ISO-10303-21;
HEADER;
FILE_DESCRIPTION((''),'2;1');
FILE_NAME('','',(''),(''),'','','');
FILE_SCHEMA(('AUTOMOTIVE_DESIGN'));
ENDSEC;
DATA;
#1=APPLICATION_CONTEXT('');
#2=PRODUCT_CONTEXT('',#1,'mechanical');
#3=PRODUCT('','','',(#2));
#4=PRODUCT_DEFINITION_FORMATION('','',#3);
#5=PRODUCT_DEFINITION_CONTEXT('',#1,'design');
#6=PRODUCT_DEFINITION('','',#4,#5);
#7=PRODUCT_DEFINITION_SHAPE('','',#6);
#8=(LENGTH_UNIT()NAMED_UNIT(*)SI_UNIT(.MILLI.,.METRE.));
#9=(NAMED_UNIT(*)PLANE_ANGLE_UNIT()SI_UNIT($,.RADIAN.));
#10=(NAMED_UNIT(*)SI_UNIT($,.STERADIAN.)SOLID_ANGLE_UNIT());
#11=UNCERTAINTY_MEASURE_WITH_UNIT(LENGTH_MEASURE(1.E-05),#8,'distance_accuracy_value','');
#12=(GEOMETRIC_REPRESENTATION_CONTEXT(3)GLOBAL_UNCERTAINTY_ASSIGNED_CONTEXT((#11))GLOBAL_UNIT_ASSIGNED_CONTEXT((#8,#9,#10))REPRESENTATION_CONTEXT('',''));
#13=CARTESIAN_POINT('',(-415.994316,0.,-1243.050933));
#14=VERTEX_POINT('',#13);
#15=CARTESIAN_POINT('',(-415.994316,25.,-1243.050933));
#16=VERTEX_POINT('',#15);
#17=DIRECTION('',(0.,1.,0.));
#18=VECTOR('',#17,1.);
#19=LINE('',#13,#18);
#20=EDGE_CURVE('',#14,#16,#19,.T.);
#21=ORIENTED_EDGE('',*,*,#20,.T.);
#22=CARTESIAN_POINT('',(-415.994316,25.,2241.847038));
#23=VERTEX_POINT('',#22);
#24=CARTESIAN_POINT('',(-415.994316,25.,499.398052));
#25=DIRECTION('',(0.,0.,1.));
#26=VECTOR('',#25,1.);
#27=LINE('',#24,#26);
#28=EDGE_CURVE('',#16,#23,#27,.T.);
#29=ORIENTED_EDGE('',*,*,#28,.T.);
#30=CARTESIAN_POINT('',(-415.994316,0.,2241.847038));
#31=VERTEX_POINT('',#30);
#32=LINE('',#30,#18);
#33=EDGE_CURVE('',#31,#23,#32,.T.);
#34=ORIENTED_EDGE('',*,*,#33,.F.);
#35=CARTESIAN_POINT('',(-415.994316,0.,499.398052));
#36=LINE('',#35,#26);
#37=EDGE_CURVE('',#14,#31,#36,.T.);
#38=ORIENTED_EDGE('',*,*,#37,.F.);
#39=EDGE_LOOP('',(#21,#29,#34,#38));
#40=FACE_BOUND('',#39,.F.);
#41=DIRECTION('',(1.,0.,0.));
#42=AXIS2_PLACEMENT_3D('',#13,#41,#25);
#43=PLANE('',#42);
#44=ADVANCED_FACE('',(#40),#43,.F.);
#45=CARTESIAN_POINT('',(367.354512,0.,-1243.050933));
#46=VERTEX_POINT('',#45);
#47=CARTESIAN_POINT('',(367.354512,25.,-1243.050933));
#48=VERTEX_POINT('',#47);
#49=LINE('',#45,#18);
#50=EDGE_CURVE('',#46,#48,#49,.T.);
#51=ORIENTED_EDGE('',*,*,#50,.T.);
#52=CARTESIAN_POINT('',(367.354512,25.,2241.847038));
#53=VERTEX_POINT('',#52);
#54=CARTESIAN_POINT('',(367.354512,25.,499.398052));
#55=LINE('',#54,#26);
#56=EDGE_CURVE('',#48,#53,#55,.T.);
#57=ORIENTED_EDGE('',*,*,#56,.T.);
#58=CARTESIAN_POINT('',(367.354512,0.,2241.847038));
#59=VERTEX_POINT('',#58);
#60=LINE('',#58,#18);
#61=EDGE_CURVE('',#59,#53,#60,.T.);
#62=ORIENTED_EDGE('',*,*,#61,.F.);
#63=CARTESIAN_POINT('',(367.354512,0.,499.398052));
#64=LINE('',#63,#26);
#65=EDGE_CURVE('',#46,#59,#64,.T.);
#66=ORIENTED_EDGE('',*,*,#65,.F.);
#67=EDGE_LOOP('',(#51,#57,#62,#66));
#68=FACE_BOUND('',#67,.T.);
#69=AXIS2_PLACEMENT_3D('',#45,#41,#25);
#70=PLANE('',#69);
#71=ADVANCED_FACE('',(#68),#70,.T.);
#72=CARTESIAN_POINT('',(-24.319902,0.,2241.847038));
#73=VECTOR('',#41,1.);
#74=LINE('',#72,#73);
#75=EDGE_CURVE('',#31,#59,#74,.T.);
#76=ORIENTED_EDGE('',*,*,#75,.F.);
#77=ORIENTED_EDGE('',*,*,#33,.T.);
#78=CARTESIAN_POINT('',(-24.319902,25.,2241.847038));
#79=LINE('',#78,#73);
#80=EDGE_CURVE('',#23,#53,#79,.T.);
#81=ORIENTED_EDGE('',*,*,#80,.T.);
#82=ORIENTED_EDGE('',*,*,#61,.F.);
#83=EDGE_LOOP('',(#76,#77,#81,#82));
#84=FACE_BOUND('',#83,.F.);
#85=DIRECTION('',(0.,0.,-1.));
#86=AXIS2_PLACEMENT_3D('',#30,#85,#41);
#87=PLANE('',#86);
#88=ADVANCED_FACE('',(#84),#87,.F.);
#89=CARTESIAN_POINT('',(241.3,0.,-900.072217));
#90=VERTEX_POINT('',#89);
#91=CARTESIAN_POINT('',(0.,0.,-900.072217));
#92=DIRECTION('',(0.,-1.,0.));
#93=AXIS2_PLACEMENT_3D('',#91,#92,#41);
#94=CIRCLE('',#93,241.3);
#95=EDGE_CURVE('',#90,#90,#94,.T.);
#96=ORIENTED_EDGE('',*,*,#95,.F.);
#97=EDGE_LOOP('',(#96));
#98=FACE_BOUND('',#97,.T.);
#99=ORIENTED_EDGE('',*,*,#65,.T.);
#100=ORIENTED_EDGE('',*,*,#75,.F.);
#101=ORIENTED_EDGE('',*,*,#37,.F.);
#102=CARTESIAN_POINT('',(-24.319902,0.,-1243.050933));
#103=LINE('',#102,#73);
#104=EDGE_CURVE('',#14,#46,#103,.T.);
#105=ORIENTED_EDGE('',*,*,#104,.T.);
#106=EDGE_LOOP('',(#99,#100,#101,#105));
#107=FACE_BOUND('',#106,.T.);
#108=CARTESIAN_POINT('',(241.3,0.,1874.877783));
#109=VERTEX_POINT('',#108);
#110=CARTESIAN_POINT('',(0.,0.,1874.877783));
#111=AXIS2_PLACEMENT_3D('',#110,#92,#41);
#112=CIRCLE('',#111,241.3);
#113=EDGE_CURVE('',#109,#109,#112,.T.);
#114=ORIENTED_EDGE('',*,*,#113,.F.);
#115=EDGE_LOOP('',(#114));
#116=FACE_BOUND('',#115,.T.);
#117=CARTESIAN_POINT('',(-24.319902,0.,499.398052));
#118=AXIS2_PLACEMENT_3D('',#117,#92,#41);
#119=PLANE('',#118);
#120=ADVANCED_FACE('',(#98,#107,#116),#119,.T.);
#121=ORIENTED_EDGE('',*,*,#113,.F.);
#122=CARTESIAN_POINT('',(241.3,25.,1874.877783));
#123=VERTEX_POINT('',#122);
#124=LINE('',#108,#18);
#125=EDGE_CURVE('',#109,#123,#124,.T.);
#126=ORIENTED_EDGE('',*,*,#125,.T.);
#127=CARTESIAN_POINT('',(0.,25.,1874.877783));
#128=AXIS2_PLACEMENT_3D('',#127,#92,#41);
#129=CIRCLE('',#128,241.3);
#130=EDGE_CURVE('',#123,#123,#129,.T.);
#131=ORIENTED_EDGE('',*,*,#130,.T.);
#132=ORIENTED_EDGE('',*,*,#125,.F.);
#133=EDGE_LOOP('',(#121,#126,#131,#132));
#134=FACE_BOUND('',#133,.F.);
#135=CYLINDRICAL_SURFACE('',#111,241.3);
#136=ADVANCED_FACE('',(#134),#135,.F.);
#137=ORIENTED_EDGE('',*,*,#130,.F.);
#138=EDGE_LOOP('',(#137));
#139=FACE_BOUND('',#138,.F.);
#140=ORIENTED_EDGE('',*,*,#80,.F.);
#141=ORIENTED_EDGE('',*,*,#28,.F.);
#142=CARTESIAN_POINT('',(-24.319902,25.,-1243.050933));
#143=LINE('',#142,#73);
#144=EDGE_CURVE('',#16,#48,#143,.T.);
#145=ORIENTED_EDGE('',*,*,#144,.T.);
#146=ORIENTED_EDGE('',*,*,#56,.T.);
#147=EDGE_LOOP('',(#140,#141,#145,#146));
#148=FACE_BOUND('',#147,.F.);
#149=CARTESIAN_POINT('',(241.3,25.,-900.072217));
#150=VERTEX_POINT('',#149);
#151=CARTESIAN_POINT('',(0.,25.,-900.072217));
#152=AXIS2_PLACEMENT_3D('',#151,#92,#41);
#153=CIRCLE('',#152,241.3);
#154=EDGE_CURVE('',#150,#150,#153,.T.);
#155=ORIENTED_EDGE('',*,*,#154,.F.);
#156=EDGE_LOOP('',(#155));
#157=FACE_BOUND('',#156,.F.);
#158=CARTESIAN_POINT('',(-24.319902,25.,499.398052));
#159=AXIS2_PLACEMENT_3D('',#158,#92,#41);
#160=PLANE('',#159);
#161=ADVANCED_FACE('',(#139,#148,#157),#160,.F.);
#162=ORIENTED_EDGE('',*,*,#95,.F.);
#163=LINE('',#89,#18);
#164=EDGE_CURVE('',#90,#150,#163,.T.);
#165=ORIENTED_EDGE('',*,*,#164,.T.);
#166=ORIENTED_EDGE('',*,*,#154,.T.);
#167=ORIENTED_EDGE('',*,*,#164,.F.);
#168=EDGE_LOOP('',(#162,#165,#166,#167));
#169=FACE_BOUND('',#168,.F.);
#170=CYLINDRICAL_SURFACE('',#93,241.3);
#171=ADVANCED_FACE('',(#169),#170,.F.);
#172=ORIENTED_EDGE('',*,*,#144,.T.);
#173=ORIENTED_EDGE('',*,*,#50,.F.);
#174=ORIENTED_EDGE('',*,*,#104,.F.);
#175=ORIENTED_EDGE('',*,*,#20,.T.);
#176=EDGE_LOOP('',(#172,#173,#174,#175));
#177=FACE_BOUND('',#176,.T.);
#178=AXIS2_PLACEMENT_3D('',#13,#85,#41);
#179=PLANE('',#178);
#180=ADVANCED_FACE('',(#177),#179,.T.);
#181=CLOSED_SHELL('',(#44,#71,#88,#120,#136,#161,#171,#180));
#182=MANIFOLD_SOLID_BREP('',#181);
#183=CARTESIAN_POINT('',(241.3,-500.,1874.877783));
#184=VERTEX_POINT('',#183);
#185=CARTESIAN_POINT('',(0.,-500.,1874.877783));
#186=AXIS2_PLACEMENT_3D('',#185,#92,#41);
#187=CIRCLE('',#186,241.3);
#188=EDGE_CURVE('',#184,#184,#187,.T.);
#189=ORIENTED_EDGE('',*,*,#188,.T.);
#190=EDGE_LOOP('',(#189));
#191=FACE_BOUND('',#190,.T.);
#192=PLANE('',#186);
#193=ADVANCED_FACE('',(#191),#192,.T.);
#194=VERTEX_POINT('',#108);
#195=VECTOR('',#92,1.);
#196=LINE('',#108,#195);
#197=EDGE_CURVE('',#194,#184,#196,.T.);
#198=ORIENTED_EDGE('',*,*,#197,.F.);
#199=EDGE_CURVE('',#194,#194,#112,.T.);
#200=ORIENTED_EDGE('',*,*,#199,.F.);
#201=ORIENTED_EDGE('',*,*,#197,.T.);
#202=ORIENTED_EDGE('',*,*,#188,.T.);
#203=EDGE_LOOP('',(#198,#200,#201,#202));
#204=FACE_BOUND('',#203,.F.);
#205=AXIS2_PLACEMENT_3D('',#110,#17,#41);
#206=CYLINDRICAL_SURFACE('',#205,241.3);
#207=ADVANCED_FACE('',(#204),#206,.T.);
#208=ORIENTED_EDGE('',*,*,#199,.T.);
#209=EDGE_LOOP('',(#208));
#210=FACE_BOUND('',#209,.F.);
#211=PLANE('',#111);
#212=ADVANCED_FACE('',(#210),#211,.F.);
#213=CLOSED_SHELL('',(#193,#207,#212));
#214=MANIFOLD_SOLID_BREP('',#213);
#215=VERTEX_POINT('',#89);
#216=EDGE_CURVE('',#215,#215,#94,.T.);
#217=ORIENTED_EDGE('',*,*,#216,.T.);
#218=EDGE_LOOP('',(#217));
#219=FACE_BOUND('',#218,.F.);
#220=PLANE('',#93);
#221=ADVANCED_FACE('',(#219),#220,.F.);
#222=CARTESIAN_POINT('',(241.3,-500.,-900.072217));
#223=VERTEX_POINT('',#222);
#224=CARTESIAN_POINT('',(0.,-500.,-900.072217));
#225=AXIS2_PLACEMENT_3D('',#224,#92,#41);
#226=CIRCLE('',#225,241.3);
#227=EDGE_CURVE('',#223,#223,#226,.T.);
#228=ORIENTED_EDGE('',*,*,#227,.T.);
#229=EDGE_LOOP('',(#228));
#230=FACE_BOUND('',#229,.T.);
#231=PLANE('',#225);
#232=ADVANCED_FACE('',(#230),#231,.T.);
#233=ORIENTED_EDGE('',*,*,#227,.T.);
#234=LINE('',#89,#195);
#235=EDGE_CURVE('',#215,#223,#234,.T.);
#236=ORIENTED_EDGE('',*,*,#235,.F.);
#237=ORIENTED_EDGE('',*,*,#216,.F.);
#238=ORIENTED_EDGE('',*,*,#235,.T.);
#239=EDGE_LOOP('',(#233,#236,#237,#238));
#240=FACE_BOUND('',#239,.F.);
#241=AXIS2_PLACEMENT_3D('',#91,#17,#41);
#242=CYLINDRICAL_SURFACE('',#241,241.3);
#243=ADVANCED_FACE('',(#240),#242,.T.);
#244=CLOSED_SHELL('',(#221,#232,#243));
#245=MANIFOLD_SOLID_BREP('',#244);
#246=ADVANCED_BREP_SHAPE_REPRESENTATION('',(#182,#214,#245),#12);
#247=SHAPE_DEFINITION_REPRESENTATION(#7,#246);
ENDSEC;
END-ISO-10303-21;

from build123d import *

# Parameters (mm, degrees)
F0_W     = 783.348828
F0_H     = 3484.897971
F0_R     = 241.3
F1_DEPTH = 25
F2_DEPTH = 500


with BuildPart() as f1:
    # F0 (on Front) → F1 (new body)
    with BuildSketch(Plane.XZ):
        with Locations((-24.319902, 499.398052)):
            Rectangle(F0_W, F0_H)
        with Locations((0, -900.072217)):
            Circle(F0_R, mode=Mode.SUBTRACT)
        with Locations((0, 1874.877783)):
            Circle(F0_R, mode=Mode.SUBTRACT)
    extrude(amount=-F1_DEPTH)


with BuildPart() as f2:
    # F0 (on Front) → F2 (new body)
    with BuildSketch(Plane.XZ):
        with Locations((0, 1874.877783)):
            Circle(F0_R)
        with Locations((0, -900.072217)):
            Circle(F0_R)
    extrude(amount=F2_DEPTH)


solid = Compound([f1.part, f2.part])
